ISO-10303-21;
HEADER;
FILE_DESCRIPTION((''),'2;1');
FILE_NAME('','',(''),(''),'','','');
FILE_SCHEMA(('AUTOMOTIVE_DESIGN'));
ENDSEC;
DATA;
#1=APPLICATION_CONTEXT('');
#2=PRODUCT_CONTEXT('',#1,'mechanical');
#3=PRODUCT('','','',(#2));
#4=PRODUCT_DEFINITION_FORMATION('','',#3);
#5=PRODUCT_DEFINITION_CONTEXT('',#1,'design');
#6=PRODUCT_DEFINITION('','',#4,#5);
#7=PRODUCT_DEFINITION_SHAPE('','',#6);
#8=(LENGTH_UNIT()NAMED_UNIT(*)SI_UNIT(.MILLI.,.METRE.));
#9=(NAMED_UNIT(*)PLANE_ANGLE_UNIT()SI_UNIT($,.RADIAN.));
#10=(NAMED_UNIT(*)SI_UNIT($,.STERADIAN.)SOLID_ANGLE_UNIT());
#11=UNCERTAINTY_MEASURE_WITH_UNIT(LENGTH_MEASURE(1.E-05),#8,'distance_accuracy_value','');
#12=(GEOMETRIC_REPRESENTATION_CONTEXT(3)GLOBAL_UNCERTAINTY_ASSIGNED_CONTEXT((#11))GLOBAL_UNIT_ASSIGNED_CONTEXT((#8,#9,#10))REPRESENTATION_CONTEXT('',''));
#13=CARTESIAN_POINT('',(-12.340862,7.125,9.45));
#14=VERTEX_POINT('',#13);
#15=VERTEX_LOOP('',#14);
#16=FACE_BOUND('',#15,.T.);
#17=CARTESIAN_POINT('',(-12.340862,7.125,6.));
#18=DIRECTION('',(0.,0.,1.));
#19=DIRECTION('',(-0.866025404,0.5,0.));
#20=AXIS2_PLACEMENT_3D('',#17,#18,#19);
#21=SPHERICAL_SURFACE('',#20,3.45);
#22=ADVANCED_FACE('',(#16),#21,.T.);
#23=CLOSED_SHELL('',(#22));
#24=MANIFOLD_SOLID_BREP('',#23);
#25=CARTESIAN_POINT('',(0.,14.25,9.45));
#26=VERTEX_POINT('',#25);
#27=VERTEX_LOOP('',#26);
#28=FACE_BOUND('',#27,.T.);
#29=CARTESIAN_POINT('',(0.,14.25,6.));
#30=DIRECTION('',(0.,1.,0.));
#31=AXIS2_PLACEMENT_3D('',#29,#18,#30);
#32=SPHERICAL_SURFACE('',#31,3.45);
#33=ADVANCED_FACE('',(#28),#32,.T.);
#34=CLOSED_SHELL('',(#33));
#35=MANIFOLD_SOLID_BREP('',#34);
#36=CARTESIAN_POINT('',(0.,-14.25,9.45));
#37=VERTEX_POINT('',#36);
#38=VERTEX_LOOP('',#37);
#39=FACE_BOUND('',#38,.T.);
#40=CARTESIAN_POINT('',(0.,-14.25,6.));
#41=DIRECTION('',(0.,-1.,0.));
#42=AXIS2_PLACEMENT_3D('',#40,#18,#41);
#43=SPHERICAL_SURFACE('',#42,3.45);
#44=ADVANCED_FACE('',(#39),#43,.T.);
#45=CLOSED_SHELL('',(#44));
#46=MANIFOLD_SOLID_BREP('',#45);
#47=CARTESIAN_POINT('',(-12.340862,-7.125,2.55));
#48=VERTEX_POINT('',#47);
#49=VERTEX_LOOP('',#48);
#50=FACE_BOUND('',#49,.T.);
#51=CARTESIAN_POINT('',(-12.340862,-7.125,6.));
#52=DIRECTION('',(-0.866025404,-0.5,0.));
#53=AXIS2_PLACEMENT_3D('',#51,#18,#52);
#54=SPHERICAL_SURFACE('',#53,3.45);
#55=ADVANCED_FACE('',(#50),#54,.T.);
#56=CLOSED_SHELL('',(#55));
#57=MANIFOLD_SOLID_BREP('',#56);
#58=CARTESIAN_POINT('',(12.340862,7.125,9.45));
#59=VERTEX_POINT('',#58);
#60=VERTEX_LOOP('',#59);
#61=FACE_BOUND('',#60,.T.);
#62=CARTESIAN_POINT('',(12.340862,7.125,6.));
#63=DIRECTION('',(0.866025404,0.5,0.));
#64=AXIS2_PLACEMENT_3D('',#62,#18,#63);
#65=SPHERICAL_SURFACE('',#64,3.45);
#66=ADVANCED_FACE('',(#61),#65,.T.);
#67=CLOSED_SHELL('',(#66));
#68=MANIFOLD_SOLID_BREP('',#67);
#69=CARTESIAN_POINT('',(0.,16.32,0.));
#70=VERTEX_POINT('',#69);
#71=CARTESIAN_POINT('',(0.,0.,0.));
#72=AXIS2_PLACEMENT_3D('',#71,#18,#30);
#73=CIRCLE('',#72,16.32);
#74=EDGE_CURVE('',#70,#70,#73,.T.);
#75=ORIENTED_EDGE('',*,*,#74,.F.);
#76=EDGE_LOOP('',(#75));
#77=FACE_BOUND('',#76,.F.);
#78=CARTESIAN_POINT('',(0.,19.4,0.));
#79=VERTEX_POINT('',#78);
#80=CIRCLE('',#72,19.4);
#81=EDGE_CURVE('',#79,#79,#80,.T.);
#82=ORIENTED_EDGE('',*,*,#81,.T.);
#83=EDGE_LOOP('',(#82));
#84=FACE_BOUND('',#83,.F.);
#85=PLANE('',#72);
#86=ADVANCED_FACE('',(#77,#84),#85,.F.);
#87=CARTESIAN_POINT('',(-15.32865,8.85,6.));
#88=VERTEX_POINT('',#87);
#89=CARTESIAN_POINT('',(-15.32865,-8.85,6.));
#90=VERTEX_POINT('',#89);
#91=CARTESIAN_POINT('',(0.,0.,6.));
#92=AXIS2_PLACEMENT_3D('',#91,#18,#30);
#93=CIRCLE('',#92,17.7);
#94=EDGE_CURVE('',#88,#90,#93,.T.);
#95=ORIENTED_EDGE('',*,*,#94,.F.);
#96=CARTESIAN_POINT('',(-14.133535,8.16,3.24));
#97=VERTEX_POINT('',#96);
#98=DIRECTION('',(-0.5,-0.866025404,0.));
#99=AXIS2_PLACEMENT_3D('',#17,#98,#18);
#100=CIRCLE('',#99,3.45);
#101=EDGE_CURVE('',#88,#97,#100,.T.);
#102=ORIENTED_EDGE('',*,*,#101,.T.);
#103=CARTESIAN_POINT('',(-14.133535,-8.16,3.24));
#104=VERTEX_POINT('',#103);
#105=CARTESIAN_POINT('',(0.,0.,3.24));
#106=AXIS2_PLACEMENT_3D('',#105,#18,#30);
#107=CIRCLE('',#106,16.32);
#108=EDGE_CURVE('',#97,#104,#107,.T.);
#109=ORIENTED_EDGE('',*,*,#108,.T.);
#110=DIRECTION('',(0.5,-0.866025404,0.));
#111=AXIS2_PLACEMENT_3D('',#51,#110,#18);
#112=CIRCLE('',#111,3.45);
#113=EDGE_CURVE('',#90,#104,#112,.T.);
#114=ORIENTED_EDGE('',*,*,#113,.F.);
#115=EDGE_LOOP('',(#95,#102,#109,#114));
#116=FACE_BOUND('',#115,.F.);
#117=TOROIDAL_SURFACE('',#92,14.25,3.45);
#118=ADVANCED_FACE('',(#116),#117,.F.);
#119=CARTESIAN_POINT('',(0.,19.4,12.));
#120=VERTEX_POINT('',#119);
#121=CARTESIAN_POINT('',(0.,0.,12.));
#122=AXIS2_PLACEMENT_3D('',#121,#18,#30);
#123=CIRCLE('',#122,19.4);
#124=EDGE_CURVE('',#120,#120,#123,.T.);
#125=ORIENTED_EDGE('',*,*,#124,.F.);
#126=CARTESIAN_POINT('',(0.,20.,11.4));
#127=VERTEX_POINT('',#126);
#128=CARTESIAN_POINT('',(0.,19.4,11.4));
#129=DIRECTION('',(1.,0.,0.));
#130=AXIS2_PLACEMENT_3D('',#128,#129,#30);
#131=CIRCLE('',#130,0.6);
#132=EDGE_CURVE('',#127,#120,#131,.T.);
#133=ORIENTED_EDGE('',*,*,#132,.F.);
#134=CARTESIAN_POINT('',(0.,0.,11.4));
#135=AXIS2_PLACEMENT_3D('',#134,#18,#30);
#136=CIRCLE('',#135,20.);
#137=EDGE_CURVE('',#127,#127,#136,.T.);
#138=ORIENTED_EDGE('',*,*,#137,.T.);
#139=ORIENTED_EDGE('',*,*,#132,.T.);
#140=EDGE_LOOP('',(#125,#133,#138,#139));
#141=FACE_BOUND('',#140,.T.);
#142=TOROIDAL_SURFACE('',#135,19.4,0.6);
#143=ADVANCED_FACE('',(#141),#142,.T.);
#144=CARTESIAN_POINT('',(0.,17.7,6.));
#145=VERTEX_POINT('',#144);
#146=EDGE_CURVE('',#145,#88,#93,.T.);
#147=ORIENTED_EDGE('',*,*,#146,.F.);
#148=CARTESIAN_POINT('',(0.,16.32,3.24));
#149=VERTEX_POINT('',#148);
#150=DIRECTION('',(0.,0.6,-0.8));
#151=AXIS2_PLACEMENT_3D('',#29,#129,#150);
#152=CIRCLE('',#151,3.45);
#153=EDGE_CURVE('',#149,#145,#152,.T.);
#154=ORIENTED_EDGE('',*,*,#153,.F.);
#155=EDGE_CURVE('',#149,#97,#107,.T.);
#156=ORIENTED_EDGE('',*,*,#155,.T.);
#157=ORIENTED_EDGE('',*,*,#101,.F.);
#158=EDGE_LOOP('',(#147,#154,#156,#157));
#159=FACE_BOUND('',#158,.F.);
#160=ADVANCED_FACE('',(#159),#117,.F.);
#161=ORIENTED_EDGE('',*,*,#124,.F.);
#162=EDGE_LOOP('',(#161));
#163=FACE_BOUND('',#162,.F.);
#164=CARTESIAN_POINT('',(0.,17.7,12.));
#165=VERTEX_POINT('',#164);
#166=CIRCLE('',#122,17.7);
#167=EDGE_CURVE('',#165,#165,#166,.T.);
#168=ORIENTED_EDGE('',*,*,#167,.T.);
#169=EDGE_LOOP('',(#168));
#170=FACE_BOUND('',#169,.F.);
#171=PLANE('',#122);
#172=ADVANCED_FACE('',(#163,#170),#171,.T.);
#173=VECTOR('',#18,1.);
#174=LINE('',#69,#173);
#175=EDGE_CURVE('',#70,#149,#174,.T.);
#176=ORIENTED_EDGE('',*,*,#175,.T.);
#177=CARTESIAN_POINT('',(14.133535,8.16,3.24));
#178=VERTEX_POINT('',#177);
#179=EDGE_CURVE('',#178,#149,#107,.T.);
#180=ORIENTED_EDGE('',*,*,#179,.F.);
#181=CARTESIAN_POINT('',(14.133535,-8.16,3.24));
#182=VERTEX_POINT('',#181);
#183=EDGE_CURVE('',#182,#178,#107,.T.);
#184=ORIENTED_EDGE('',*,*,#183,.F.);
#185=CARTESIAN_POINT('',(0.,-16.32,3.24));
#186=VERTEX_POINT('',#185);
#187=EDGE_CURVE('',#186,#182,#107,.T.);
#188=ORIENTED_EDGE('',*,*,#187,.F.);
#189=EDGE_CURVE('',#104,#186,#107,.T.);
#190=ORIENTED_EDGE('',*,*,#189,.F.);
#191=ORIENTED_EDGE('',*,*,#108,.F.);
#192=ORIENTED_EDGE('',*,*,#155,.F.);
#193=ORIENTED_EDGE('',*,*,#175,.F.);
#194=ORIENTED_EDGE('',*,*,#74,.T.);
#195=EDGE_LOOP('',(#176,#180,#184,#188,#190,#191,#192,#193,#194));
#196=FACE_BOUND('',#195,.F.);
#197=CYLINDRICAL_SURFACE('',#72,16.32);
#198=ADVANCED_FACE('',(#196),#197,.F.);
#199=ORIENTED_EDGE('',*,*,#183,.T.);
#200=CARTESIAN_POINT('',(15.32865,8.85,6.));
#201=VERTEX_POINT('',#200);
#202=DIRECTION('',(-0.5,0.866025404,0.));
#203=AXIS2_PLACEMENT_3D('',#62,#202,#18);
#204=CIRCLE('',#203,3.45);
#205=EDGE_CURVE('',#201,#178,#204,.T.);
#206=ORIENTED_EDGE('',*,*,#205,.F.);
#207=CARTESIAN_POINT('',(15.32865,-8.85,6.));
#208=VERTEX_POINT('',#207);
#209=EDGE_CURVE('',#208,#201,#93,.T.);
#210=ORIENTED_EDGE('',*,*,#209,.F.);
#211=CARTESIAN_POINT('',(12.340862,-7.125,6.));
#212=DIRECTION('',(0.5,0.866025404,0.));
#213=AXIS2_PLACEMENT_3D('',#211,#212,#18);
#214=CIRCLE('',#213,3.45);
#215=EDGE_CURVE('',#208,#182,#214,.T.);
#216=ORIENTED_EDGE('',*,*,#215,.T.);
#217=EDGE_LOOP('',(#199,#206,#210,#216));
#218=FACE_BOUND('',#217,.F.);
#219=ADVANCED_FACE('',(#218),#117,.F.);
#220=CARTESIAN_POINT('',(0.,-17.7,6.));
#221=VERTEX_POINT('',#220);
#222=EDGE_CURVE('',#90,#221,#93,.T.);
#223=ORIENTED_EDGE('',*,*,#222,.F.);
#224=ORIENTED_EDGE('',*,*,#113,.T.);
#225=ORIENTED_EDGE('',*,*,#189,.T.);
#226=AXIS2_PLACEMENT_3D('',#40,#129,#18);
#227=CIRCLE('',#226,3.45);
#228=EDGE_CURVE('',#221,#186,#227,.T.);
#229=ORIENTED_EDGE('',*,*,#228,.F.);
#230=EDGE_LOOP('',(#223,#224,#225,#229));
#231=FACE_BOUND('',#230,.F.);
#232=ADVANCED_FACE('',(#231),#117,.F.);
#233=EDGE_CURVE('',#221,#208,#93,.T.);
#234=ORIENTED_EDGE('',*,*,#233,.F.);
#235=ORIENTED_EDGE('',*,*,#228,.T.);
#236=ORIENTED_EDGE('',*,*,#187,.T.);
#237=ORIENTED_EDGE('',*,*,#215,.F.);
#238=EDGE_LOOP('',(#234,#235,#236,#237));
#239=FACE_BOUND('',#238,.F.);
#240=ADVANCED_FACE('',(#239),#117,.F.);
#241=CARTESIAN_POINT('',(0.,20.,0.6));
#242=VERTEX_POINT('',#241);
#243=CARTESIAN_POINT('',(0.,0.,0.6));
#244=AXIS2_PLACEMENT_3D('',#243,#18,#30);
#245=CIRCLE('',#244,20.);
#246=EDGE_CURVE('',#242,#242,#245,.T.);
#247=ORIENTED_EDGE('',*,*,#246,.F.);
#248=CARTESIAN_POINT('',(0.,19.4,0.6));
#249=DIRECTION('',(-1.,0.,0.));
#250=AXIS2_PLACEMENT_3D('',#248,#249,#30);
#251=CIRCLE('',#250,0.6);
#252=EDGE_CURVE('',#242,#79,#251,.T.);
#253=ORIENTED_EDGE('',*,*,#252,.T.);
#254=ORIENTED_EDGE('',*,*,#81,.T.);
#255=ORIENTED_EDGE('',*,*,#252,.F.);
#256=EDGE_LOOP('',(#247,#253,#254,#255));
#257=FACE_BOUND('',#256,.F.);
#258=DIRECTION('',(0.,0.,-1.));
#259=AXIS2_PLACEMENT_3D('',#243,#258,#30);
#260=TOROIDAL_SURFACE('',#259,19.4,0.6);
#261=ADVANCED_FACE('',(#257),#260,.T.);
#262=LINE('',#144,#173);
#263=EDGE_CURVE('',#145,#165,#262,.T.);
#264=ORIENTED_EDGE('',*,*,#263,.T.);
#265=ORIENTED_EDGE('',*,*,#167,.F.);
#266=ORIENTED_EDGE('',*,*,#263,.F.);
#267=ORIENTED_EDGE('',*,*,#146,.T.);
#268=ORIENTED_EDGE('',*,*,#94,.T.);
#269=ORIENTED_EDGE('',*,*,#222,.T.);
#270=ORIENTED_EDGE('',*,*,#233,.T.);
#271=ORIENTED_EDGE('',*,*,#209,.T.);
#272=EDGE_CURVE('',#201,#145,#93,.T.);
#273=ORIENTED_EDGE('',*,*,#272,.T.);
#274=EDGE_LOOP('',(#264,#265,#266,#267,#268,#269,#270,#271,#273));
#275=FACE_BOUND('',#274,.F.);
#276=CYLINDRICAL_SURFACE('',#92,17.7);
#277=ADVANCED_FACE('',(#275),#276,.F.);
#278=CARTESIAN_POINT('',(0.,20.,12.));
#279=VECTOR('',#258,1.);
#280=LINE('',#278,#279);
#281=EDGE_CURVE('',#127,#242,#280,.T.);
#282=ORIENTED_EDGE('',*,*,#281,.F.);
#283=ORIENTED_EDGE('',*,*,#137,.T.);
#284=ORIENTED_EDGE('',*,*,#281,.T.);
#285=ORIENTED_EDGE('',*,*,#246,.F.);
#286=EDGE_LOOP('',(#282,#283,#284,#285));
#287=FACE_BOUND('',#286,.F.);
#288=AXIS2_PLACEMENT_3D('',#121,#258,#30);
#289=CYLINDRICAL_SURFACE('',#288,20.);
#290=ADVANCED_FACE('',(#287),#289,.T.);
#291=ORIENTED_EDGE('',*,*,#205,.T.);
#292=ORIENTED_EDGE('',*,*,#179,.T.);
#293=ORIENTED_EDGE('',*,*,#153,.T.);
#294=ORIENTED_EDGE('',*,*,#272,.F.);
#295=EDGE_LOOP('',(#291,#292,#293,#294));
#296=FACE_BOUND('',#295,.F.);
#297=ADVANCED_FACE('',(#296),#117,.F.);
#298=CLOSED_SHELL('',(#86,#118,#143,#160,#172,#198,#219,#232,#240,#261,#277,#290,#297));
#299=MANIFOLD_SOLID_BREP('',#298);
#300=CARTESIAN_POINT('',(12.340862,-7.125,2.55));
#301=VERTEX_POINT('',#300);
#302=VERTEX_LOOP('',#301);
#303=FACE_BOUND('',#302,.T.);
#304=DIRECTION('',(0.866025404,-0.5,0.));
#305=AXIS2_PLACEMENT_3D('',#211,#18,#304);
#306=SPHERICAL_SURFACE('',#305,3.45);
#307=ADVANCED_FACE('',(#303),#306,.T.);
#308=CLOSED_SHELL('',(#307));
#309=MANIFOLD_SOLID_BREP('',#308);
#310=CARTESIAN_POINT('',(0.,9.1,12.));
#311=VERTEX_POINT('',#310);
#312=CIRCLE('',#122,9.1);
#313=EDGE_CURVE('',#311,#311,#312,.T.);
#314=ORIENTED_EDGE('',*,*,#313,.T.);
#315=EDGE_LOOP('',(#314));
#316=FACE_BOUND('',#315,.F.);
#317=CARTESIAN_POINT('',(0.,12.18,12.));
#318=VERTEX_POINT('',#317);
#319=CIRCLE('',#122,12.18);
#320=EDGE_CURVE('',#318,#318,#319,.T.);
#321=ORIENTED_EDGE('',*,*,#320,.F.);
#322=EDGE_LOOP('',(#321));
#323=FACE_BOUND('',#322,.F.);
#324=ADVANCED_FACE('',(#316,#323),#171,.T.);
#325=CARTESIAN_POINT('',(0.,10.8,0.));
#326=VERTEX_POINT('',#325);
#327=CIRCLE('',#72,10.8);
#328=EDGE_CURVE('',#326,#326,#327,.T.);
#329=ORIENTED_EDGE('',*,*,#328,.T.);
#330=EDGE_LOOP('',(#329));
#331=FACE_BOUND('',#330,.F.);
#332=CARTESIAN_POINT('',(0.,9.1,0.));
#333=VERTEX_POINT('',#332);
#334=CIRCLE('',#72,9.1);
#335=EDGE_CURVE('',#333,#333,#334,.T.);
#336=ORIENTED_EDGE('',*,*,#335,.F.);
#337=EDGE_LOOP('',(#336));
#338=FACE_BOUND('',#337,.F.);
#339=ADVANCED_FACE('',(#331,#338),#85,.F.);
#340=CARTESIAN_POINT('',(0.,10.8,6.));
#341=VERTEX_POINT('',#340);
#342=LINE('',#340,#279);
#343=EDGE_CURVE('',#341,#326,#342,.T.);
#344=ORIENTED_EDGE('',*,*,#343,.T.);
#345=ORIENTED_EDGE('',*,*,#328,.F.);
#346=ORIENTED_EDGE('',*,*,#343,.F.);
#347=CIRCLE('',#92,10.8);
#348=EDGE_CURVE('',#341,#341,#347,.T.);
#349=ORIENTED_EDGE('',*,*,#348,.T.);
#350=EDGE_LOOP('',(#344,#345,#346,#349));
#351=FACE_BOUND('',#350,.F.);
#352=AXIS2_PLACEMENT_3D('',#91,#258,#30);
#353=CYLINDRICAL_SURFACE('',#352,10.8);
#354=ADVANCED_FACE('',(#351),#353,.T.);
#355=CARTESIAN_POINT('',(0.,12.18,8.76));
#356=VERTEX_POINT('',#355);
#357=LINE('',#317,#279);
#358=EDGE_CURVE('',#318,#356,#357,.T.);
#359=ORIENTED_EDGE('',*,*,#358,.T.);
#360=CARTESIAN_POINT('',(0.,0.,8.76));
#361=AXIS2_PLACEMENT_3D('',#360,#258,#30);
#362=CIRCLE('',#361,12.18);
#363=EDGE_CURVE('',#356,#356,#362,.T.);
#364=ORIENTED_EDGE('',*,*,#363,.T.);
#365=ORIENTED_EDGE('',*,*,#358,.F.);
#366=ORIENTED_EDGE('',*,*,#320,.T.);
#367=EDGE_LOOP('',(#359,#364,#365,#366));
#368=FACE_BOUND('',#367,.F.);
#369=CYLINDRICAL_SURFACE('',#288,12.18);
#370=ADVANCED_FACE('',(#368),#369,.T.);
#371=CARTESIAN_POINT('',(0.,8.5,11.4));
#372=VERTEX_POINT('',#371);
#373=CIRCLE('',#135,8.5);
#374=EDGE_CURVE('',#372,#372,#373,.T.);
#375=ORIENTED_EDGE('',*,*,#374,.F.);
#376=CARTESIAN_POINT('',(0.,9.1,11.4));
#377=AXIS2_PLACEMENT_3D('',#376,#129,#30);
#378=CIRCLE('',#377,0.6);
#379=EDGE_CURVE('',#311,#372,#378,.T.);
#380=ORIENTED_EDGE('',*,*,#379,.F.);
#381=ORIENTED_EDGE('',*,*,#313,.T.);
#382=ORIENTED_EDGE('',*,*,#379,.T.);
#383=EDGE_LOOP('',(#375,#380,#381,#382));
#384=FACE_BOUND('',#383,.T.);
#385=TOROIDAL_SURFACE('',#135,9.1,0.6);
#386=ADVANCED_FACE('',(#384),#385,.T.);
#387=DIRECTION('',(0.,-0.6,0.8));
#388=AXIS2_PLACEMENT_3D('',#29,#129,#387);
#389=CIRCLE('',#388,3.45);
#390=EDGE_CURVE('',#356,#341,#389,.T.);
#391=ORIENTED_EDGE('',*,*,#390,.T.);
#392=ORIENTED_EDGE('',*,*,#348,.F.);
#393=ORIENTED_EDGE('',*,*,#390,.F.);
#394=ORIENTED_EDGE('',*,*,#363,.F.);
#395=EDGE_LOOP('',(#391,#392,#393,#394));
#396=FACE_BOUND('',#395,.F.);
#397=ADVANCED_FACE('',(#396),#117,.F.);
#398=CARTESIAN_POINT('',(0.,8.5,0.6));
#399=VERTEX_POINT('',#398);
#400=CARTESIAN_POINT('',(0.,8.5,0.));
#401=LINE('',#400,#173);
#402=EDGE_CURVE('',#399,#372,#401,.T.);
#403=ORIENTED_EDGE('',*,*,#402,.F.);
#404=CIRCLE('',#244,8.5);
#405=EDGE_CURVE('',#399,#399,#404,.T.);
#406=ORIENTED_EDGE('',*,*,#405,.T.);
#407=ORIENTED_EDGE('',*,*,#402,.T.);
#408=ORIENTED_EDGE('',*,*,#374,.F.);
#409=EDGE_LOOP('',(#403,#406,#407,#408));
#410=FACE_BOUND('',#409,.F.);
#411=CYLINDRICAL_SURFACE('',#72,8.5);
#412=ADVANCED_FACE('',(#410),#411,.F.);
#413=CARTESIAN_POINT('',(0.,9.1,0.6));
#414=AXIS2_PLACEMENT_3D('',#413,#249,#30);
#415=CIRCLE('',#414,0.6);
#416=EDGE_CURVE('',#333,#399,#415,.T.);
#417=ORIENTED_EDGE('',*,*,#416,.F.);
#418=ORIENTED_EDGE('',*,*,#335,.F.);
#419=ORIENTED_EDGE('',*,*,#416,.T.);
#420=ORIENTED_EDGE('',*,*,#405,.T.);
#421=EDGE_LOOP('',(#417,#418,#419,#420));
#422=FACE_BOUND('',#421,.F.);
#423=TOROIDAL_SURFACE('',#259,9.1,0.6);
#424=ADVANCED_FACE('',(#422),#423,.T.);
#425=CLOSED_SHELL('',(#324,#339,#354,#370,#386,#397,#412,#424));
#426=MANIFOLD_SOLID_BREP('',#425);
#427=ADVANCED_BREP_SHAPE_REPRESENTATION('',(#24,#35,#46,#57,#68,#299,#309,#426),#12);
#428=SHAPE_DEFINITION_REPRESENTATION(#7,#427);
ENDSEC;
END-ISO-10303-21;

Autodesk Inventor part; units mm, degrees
ref_plane "WorkPlane1" through (0, 0, 0) normal (0, 0, 1) x (1, 0, 0)
ref_plane "Work Plane2" through (0, 0, -12) normal (0, 0, 1) x (1, 0, 0)
ref_plane "WorkPlane2" through (0, 0, 14) normal (0, 0, 1) x (1, 0, 0)
sketch "Sketch1" plane through (0, 0, 0) normal (-1, 0, 0) x (0, -1, 0)
  point P0 (0, 0)
sketch "Sketch2" plane through (0, 0, 0) normal (0, 0, 1) x (1, 0, 0)
  point P0 (0, 0)
sketch "Sketch3" plane through (0, 0, 14) normal (0, 0, 1) x (1, 0, 0)
  point P0 (0, 0)
sketch "Sketch4" plane through (0, 0, 0) normal (1, 0, 0) x (0, 1, 0)
  line L0 (20, 0) -> (8.5, 0)
  line L1 (20, 12) -> (20, 0)
  line L2 (8.5, 12) -> (20, 12)
  line L3 (8.5, 0) -> (8.5, 12)
  line L4 (0, -3.737) -> (0, 15.9311) construction
  line L5 (0, -3.737) -> (0, 15.9311)
  line L6 (0, -7.6706) -> (0, 19.8647) projected
  line L7 (-4, 0) -> (24, 0) projected
  dimension "d2" = 8.5
  dimension "d4" = 20
  dimension "d6" = 12
revolve "Revolution1" add sketch "Sketch4" angle 360 about axis through (0, 0, -3.737) along (0, 0, 1)
sketch "Sketch5" plane through (0, 0, 0) normal (1, 0, 0) x (0, 1, 0)
  line L0 (17.7, 12) -> (12.18, 12)
  line L1 (17.7, 6) -> (17.7, 12)
  arc A0 (16.32, 3.24) -> (17.7, 6) centre (14.25, 6) ccw
  line L2 (16.32, 0) -> (16.32, 3.24)
  line L3 (10.8, 0) -> (16.32, 0)
  line L4 (10.8, 6) -> (10.8, 0)
  arc A1 (12.18, 8.76) -> (10.8, 6) centre (14.25, 6) ccw
  line L5 (12.18, 12) -> (12.18, 8.76)
  circle A2 centre (14.25, 6) radius 3.45 construction
  line L6 (20, 0) -> (-20, 0) construction
  line L7 (20, 12) -> (-20, 12) construction
  line L8 (0, 40.9632) -> (0, -26.9632)
  line L9 (0, -40.5485) -> (0, 54.5485) projected
  dimension "d9" = 6
  dimension "d11" = 6.9
  dimension "d21" = 28.5
  dimension "d22" = 24.36
  dimension "d23" = 32.64
revolve "Revolution2" cut sketch "Sketch5" angle 360 about axis through (0, 0, 40.9632) along (0, 0, 1)
sketch "Sketch6" plane through (0, 0, 0) normal (1, 0, 0) x (0, 1, 0)
  line L0 (14.25, 2.55) -> (14.25, 9.45)
  arc A0 (14.25, 2.55) -> (14.25, 9.45) centre (14.25, 6) ccw
  line L1 (14.25, 14.1754) -> (14.25, -2.0126) construction
  line L2 (20, 0) -> (-20, 0) construction
  line L3 (14.25, 14.1754) -> (14.25, -2.0126)
  arc A1 (12.18, 8.76) -> (10.8, 6) centre (14.25, 6) ccw projected
  line L4 (17.7, 6) -> (-17.7, 6) projected
  dimension "d14" = 3.45
revolve "Revolution3" add sketch "Sketch6" angle 360 about axis through (0, 14.25, 14.1754) along (0, 0, 1)
pattern_circular "PolarArray1" count 6 over 360 about axis through (0, 0, 0) along (0, 0, 1) of "Revolution3"
fillet "Fillet1" radius 0.6 1 edges at (0, -20, 12)
fillet "Fillet2" radius 0.6 3 edges at (0, -20, 0) (0, -8.5, 12) (0, -8.5, 0)
equation "\"d19\" = r1"
equation "\"d20\" = r"
equation "\"d2\" = 0.5 * Diam"
equation "\"d4\" = 0.5 * DD"
equation "\"d6\" = B"
equation "\"d9\" = 0.5 * B"
equation "\"d11\" = msp_mdtdk"
equation "\"d21\" = msp_mdtds"
equation "\"d22\" = msp_md"
equation "\"d23\" = msp_vd"
equation "\"d14\" = 0.5 * msp_mdtdk"
equation "\"Diam\" = 17"
equation "\"B\" = 12"
equation "\"r\" = 0.6"
equation "\"msp_mdtdk\" = -0.3 * Diam + 0.3 * DD"
equation "\"msp_mdtds\" = 0.5 * DD + 0.5 * Diam"
equation "\"msp_md\" = msp_mdtds - 0.6 * msp_mdtdk"
equation "\"msp_vd\" = msp_mdtds + 0.6 * msp_mdtdk"
equation "\"r1\" = 0.6"
equation "\"DD\" = 40"
properties part number "DIN 628 SKF - SKF 7203 BEY" material "Steel, Mild"
